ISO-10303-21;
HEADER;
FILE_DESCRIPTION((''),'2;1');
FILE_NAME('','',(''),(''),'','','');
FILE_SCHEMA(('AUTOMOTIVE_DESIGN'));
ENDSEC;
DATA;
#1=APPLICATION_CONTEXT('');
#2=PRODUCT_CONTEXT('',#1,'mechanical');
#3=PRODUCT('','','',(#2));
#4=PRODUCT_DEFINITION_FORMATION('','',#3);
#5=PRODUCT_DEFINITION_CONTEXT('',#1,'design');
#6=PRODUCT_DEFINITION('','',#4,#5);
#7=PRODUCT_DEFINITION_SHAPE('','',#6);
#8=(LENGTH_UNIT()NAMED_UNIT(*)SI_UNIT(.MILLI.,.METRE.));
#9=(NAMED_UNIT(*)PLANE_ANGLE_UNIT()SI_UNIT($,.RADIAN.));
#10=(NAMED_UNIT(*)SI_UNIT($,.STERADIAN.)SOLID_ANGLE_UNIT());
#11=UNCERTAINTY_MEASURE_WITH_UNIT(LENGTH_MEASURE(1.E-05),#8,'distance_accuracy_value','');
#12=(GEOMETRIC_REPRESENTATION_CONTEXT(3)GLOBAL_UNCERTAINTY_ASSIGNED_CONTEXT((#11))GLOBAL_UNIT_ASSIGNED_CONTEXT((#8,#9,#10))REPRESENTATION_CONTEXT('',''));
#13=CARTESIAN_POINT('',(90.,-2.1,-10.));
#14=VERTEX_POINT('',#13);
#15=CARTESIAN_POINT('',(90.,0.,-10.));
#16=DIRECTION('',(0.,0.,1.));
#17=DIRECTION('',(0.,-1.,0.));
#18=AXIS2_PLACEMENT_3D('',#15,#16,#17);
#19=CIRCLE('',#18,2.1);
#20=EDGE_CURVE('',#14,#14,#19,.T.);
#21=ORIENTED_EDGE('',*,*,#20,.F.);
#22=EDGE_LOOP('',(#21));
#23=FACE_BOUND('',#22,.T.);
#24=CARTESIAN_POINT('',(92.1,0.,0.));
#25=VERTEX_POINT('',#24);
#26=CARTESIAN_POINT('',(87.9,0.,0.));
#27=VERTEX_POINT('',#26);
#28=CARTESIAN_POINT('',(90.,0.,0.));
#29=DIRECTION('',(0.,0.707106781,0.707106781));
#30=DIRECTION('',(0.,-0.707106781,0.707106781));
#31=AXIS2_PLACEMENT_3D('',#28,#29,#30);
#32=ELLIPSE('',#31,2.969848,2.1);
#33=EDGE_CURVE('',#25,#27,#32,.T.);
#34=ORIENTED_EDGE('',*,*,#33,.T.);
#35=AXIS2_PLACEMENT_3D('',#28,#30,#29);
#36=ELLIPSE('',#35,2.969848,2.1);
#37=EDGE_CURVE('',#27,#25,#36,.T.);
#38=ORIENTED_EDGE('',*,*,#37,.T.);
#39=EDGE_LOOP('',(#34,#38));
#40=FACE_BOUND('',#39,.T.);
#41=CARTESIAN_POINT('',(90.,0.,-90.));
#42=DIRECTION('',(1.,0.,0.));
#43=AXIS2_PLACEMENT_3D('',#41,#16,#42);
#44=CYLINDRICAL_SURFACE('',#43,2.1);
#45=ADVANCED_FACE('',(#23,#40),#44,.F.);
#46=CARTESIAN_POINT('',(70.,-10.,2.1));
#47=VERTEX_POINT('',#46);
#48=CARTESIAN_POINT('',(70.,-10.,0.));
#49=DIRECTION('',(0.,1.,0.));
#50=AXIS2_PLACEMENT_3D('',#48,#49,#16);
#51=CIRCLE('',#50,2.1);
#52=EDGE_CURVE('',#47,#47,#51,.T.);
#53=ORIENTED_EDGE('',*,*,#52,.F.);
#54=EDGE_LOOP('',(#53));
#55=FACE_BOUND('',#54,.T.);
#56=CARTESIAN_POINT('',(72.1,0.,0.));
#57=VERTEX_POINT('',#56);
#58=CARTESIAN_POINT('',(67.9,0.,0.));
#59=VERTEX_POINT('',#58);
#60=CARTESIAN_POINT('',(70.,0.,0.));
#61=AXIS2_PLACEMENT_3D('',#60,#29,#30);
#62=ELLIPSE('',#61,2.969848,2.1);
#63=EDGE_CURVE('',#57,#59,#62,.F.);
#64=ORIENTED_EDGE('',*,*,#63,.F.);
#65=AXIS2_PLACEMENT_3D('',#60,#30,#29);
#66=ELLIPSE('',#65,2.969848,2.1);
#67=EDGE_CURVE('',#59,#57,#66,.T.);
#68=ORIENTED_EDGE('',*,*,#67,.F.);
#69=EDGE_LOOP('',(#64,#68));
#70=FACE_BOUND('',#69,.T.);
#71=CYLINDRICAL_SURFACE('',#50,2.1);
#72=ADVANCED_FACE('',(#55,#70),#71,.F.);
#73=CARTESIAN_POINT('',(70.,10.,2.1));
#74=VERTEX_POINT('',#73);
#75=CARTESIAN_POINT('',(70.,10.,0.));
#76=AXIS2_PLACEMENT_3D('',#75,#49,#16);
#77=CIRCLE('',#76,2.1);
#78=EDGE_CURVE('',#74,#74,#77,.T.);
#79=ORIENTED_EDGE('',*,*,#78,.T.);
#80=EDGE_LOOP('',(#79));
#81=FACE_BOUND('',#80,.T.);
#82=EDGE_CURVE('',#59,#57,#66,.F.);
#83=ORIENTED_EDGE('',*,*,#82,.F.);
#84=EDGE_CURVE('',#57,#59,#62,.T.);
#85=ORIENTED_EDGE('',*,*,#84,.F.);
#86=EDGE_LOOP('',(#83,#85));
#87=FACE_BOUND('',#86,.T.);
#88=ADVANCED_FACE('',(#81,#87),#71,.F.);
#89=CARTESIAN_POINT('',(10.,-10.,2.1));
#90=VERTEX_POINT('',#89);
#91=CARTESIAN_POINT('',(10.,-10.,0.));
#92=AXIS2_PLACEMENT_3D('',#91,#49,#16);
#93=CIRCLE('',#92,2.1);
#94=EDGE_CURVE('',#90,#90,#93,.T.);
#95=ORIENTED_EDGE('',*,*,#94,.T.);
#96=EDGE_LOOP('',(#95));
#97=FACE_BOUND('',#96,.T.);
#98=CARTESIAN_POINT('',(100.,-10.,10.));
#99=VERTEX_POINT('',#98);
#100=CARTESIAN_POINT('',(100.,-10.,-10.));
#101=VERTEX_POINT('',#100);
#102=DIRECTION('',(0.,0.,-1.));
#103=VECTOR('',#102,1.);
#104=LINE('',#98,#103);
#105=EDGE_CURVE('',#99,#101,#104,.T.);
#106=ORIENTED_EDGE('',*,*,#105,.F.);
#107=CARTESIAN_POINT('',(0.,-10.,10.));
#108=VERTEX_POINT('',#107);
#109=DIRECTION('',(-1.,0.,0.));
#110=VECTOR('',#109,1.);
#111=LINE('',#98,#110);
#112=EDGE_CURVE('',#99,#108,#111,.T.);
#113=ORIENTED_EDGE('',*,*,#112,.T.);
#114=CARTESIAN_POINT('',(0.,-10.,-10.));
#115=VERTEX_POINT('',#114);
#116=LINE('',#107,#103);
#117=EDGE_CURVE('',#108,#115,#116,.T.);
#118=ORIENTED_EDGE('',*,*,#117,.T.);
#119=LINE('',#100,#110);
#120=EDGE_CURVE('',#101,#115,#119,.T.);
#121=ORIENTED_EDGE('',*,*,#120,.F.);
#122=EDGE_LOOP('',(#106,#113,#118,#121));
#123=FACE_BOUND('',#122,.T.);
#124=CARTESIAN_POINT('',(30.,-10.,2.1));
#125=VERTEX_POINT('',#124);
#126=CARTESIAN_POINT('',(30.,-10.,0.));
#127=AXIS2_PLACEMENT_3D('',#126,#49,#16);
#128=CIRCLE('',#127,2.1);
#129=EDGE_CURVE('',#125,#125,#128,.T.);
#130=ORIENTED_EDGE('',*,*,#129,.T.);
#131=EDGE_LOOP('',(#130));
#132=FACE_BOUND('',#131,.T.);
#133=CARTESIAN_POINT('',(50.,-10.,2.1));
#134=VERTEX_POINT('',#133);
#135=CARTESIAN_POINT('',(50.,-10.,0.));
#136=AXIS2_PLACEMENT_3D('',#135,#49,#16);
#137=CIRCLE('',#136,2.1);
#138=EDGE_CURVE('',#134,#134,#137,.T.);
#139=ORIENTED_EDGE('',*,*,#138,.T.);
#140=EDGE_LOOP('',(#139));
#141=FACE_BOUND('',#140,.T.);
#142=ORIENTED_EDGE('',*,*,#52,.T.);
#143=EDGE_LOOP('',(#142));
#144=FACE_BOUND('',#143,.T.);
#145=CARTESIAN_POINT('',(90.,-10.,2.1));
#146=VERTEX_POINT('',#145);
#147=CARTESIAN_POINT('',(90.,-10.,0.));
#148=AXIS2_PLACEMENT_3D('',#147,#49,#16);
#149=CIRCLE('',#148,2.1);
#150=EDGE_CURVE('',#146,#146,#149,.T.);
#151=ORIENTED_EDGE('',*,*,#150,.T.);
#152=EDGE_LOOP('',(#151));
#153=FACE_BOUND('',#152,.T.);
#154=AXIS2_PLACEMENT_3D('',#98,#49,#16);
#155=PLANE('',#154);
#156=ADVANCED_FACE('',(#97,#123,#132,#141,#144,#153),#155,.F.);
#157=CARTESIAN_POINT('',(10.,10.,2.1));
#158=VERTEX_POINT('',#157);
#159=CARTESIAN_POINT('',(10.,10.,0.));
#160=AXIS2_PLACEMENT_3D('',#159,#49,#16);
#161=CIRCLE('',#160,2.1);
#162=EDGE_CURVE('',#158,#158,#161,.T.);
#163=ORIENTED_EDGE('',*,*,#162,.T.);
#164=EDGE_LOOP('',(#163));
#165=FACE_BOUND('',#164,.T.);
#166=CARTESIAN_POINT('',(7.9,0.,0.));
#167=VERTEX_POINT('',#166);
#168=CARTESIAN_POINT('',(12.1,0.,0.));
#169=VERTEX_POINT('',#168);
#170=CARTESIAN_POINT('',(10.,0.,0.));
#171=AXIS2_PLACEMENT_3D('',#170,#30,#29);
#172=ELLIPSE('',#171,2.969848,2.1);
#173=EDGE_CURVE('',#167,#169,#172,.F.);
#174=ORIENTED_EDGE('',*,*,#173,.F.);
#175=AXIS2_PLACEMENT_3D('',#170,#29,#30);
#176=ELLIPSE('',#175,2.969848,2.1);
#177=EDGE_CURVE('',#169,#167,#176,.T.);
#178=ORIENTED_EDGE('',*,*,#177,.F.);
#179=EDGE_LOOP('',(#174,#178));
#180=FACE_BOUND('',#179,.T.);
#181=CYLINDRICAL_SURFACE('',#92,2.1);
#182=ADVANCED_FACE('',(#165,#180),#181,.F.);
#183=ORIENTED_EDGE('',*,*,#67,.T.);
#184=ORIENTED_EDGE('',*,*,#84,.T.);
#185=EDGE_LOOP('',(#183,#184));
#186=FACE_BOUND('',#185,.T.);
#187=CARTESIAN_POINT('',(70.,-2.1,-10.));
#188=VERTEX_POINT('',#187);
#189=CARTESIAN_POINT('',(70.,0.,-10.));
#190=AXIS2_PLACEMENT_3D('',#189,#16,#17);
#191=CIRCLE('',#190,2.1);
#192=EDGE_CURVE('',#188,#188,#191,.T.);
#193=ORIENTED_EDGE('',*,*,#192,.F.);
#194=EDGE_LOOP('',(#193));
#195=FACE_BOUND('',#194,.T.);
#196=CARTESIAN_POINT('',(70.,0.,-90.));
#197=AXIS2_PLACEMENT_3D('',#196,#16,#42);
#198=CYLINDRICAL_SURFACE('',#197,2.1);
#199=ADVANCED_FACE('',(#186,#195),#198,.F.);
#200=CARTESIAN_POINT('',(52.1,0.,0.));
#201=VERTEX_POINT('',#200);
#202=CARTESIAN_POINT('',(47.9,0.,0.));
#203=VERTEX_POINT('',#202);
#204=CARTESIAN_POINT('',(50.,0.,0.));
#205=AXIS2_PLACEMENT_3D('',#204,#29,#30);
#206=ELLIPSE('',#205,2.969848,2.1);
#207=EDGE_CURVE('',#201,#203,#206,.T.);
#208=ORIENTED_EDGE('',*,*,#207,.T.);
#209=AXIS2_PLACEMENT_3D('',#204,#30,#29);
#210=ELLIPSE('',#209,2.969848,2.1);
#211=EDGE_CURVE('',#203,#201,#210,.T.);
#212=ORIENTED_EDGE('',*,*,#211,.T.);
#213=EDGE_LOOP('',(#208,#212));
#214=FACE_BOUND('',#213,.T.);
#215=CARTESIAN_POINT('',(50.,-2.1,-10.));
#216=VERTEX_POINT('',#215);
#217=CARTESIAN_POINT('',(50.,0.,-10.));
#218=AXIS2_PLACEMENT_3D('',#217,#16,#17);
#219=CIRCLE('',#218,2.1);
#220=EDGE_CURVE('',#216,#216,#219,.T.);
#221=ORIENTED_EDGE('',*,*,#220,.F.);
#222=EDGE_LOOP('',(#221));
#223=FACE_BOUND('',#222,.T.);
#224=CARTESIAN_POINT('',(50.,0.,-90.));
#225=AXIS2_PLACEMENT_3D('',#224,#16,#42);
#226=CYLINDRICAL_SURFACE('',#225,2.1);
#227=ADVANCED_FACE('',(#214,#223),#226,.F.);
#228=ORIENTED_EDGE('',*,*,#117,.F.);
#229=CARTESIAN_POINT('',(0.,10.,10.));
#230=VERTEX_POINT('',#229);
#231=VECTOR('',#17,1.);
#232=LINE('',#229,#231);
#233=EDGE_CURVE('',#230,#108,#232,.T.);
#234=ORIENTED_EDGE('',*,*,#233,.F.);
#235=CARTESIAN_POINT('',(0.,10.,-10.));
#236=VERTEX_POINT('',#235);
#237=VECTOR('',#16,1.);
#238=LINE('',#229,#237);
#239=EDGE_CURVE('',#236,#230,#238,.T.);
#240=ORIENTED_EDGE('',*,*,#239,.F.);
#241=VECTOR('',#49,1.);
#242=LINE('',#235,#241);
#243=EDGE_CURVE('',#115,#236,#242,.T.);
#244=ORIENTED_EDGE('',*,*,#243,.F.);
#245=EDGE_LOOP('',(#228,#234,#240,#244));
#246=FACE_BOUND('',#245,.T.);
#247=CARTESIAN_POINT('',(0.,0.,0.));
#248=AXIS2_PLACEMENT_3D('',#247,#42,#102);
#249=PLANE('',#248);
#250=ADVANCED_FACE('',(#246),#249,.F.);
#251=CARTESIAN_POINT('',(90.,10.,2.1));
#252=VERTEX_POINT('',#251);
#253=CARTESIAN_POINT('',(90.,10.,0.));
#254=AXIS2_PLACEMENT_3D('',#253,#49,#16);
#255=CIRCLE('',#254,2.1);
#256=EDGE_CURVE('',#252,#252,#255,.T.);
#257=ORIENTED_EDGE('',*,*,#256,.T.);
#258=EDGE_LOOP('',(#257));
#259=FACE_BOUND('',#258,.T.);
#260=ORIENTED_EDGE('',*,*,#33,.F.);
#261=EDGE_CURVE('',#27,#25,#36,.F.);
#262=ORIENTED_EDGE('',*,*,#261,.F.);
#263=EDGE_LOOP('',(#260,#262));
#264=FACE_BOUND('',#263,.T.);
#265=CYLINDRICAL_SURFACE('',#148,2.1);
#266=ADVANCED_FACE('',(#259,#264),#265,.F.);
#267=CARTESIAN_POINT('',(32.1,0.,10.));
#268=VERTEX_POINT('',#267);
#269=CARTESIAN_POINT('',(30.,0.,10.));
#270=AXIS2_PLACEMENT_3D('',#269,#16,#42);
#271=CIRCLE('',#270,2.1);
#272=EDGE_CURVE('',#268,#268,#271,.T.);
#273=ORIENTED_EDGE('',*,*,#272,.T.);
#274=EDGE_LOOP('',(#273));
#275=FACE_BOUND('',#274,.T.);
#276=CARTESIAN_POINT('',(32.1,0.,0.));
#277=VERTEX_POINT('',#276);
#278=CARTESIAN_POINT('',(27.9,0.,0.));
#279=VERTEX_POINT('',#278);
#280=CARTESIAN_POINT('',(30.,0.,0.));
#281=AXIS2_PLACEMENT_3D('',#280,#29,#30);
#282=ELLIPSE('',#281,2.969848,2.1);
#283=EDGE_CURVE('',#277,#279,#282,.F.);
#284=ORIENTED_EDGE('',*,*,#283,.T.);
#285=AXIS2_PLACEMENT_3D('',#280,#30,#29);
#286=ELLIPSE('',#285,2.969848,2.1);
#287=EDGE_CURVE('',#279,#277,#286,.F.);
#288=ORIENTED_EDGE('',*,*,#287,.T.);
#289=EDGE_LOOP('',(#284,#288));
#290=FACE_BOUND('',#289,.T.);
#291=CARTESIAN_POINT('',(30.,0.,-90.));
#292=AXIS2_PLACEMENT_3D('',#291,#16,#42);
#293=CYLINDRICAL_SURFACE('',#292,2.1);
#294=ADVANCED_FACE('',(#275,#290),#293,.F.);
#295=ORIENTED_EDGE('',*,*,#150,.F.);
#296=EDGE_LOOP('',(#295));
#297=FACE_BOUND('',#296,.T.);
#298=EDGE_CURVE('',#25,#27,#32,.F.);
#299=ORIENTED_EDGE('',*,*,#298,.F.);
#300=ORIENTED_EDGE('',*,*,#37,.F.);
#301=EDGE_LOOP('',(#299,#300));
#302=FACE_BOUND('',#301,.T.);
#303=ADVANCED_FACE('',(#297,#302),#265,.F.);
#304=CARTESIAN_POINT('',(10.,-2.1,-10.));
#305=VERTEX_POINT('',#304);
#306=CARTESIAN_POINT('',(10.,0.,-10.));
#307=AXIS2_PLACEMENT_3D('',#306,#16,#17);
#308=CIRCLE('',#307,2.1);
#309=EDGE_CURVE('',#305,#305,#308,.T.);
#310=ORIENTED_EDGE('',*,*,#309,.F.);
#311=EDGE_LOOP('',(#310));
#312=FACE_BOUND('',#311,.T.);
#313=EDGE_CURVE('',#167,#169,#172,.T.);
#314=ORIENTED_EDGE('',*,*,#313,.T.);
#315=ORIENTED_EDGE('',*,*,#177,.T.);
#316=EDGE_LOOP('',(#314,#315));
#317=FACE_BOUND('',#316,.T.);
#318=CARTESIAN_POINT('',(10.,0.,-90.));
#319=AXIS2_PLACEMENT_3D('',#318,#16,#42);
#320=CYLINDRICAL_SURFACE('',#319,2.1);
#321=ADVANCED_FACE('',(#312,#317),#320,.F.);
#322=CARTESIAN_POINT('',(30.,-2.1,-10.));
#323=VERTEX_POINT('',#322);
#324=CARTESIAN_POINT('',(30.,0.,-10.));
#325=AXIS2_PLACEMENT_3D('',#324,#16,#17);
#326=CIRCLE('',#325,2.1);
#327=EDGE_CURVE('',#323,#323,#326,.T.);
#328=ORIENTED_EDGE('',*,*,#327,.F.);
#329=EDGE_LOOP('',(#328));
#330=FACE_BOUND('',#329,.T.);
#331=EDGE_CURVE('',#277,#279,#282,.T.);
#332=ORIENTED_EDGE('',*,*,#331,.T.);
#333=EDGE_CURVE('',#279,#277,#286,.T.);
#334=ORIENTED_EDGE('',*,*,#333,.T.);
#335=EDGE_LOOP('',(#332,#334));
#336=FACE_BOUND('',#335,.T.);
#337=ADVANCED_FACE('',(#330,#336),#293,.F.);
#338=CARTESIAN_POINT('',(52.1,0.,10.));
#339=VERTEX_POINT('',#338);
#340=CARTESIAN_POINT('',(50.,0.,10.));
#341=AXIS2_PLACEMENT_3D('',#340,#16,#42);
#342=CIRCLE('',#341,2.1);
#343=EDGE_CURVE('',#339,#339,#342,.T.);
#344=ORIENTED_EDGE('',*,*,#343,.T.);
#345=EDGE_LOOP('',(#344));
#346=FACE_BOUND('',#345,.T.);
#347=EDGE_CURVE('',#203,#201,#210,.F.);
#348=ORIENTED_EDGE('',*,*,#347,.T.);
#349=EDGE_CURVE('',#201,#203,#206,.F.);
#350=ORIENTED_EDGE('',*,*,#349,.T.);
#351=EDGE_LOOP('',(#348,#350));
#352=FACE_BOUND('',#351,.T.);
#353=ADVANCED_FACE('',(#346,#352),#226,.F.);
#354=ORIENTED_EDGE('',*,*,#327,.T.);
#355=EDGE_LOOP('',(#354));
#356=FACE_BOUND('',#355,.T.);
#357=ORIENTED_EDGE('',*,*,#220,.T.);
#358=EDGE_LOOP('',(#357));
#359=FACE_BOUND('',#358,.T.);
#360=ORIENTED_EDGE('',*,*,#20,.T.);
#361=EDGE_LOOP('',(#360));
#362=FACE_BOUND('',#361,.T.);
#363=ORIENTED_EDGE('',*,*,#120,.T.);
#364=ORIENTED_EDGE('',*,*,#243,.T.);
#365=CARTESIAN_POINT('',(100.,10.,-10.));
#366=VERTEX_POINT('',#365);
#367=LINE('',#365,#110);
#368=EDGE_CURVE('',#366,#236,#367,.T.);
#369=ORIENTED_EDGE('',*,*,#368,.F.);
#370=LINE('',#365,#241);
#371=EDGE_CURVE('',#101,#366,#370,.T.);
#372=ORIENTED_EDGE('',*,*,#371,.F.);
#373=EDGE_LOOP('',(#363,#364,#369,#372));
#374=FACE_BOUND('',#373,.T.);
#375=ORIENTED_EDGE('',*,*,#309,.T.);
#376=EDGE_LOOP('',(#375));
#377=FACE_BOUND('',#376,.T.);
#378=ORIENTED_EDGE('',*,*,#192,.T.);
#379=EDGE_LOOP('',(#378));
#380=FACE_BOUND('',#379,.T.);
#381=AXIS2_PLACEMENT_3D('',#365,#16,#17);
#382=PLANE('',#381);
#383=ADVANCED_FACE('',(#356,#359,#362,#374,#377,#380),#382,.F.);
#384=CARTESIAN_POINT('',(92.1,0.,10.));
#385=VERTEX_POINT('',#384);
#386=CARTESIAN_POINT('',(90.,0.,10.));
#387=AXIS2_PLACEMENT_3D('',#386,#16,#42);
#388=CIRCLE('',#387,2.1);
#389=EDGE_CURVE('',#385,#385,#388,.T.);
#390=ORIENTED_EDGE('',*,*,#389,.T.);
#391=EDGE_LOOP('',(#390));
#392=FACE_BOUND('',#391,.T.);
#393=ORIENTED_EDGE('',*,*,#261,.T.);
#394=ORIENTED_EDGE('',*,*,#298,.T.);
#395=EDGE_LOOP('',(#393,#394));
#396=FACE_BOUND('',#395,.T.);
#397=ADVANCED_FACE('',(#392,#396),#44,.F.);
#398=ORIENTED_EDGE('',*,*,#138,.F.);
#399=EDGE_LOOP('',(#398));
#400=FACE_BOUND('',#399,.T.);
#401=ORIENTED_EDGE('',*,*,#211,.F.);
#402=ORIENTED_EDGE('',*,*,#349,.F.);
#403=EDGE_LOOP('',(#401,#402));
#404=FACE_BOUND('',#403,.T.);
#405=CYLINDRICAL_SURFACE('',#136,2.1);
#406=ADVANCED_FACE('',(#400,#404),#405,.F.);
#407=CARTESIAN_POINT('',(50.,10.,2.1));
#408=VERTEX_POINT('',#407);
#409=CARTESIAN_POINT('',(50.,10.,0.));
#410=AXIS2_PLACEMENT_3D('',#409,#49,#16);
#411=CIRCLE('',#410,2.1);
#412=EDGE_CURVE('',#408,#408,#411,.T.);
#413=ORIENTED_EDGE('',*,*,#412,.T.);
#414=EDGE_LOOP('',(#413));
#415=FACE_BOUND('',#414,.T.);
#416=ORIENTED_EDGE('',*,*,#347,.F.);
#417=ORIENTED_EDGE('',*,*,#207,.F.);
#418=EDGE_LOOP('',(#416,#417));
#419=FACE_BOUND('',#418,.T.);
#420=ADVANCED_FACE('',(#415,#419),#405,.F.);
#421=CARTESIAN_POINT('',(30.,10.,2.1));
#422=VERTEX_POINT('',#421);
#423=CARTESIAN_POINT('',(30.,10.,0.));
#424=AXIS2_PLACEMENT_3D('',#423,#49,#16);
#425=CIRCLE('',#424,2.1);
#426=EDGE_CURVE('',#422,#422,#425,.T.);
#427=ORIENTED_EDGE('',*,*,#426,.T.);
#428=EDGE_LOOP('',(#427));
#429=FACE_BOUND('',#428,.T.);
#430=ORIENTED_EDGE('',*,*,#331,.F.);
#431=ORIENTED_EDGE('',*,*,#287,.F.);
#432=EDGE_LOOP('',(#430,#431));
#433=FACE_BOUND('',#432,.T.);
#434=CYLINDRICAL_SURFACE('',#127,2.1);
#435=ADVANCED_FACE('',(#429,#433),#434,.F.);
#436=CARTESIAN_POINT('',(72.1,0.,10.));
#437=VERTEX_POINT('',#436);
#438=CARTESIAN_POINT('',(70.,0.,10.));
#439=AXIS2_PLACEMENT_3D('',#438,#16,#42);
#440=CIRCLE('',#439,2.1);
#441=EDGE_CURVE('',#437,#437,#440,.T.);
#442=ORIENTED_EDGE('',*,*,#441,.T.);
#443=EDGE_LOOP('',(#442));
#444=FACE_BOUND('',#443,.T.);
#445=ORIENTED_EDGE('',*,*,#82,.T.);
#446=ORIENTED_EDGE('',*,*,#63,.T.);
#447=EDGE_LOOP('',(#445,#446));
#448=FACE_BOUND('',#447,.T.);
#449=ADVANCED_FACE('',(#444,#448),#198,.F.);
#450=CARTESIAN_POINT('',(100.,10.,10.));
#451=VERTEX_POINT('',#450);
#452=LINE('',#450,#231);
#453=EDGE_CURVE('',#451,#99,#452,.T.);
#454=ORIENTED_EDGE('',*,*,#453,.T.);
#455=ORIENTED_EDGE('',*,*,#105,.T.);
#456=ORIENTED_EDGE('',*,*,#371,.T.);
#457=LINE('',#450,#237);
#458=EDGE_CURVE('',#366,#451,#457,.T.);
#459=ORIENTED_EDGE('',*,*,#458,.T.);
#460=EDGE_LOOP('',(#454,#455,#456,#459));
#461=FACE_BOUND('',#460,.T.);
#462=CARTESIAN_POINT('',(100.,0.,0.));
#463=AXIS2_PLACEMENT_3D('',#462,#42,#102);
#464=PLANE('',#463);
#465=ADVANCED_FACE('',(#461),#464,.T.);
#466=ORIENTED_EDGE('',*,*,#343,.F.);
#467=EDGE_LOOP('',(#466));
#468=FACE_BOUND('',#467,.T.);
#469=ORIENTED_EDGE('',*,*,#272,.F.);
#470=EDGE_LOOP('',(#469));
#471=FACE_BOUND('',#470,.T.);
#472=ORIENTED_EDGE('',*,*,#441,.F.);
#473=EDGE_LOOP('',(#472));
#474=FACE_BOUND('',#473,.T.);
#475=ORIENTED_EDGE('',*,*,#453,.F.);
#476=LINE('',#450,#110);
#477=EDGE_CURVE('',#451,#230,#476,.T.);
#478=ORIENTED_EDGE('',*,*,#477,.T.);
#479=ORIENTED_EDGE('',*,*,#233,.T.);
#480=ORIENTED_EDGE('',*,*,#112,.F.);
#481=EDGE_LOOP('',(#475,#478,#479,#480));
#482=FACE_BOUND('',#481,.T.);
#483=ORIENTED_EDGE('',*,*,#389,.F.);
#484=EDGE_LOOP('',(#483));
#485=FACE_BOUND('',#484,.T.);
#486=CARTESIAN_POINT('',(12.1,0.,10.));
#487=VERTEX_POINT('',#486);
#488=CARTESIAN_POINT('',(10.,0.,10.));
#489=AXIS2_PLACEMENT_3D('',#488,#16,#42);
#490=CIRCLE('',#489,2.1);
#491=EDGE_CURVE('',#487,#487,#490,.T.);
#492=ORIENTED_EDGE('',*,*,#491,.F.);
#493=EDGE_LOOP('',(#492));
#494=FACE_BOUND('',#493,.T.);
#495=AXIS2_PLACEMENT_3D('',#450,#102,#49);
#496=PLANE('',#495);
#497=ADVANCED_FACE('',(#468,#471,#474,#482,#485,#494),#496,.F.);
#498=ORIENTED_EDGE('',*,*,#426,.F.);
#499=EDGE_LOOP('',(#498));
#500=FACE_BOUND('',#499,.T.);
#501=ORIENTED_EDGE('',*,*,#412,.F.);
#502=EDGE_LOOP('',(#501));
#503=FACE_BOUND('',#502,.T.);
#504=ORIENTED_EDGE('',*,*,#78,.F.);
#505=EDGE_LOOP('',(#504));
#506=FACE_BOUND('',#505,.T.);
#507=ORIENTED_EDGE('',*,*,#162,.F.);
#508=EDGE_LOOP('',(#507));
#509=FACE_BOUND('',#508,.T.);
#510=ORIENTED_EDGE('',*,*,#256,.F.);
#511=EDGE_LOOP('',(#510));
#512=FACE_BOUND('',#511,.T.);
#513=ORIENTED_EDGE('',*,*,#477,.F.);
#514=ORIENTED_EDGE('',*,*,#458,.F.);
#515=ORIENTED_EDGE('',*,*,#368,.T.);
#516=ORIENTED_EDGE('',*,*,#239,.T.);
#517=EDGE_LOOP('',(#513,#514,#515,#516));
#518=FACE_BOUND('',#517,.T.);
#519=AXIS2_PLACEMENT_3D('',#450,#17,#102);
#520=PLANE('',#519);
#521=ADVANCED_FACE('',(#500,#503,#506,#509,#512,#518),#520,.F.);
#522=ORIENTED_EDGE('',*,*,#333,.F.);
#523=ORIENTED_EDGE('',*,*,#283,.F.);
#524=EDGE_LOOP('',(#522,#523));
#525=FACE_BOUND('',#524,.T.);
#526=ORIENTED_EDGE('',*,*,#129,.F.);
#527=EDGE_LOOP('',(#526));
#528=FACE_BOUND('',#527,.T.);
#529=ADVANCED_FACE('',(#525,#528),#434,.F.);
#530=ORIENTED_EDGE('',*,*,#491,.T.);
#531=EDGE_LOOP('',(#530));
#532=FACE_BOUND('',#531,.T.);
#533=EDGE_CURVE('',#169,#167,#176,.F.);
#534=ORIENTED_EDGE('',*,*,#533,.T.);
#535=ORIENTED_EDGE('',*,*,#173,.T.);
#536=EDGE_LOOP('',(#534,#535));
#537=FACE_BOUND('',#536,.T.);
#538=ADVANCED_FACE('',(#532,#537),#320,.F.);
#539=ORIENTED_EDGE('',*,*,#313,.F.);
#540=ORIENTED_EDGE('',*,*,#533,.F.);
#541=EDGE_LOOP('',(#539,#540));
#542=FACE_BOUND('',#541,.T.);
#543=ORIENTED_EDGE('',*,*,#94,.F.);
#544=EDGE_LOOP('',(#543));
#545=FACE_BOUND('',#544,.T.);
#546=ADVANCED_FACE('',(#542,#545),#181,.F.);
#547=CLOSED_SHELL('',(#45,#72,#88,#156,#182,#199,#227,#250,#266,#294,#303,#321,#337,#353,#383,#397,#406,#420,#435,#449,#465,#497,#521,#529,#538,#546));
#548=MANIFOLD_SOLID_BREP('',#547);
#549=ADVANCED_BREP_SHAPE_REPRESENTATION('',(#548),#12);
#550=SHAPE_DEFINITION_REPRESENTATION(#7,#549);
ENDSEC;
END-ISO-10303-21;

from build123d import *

# Parameters (mm, degrees)
SKETCH_1_W          = 20
SKETCH_1_H          = 20
EXTRUDE_1_DEPTH     = 100
SKETCH_2_R          = 2.1
CUT_EXTRUDE_1_DEPTH = 100
SKETCH_3_R          = 2.1
CUT_EXTRUDE_2_DEPTH = 103.46950766


with BuildPart() as part:
    # 草图1 → 凸台-拉伸1 (new body)
    with BuildSketch(Plane(origin=(0, 0, 0), x_dir=(0, 0, -1), z_dir=(1, 0, 0))):
        Rectangle(SKETCH_1_W, SKETCH_1_H)
    extrude(amount=EXTRUDE_1_DEPTH)

    # 草图2 → 切除-拉伸1 (cut)
    with BuildSketch(Plane.XY.offset(10)):
        with Locations((10, 0)):
            Circle(SKETCH_2_R)
        with Locations((30, 0)):
            Circle(SKETCH_2_R)
        with Locations((50, 0)):
            Circle(SKETCH_2_R)
        with Locations((70, 0)):
            Circle(SKETCH_2_R)
        with Locations((90, 0)):
            Circle(SKETCH_2_R)
    extrude(amount=-CUT_EXTRUDE_1_DEPTH, mode=Mode.SUBTRACT)

    # 草图3 → 切除-拉伸2 (cut, through all)
    with BuildSketch(Plane(origin=(0, 10, 0), x_dir=(1, 0, 0), z_dir=(0, 1, 0))):
        with Locations(Location((10, 0, 0), (0, 0, 270))):
            Circle(SKETCH_3_R)
        with Locations(Location((30, 0, 0), (0, 0, 270))):
            Circle(SKETCH_3_R)
        with Locations(Location((50, 0, 0), (0, 0, 270))):
            Circle(SKETCH_3_R)
        with Locations(Location((70, 0, 0), (0, 0, 270))):
            Circle(SKETCH_3_R)
        with Locations(Location((90, 0, 0), (0, 0, 270))):
            Circle(SKETCH_3_R)
    extrude(amount=-CUT_EXTRUDE_2_DEPTH, mode=Mode.SUBTRACT)


solid = part.part
